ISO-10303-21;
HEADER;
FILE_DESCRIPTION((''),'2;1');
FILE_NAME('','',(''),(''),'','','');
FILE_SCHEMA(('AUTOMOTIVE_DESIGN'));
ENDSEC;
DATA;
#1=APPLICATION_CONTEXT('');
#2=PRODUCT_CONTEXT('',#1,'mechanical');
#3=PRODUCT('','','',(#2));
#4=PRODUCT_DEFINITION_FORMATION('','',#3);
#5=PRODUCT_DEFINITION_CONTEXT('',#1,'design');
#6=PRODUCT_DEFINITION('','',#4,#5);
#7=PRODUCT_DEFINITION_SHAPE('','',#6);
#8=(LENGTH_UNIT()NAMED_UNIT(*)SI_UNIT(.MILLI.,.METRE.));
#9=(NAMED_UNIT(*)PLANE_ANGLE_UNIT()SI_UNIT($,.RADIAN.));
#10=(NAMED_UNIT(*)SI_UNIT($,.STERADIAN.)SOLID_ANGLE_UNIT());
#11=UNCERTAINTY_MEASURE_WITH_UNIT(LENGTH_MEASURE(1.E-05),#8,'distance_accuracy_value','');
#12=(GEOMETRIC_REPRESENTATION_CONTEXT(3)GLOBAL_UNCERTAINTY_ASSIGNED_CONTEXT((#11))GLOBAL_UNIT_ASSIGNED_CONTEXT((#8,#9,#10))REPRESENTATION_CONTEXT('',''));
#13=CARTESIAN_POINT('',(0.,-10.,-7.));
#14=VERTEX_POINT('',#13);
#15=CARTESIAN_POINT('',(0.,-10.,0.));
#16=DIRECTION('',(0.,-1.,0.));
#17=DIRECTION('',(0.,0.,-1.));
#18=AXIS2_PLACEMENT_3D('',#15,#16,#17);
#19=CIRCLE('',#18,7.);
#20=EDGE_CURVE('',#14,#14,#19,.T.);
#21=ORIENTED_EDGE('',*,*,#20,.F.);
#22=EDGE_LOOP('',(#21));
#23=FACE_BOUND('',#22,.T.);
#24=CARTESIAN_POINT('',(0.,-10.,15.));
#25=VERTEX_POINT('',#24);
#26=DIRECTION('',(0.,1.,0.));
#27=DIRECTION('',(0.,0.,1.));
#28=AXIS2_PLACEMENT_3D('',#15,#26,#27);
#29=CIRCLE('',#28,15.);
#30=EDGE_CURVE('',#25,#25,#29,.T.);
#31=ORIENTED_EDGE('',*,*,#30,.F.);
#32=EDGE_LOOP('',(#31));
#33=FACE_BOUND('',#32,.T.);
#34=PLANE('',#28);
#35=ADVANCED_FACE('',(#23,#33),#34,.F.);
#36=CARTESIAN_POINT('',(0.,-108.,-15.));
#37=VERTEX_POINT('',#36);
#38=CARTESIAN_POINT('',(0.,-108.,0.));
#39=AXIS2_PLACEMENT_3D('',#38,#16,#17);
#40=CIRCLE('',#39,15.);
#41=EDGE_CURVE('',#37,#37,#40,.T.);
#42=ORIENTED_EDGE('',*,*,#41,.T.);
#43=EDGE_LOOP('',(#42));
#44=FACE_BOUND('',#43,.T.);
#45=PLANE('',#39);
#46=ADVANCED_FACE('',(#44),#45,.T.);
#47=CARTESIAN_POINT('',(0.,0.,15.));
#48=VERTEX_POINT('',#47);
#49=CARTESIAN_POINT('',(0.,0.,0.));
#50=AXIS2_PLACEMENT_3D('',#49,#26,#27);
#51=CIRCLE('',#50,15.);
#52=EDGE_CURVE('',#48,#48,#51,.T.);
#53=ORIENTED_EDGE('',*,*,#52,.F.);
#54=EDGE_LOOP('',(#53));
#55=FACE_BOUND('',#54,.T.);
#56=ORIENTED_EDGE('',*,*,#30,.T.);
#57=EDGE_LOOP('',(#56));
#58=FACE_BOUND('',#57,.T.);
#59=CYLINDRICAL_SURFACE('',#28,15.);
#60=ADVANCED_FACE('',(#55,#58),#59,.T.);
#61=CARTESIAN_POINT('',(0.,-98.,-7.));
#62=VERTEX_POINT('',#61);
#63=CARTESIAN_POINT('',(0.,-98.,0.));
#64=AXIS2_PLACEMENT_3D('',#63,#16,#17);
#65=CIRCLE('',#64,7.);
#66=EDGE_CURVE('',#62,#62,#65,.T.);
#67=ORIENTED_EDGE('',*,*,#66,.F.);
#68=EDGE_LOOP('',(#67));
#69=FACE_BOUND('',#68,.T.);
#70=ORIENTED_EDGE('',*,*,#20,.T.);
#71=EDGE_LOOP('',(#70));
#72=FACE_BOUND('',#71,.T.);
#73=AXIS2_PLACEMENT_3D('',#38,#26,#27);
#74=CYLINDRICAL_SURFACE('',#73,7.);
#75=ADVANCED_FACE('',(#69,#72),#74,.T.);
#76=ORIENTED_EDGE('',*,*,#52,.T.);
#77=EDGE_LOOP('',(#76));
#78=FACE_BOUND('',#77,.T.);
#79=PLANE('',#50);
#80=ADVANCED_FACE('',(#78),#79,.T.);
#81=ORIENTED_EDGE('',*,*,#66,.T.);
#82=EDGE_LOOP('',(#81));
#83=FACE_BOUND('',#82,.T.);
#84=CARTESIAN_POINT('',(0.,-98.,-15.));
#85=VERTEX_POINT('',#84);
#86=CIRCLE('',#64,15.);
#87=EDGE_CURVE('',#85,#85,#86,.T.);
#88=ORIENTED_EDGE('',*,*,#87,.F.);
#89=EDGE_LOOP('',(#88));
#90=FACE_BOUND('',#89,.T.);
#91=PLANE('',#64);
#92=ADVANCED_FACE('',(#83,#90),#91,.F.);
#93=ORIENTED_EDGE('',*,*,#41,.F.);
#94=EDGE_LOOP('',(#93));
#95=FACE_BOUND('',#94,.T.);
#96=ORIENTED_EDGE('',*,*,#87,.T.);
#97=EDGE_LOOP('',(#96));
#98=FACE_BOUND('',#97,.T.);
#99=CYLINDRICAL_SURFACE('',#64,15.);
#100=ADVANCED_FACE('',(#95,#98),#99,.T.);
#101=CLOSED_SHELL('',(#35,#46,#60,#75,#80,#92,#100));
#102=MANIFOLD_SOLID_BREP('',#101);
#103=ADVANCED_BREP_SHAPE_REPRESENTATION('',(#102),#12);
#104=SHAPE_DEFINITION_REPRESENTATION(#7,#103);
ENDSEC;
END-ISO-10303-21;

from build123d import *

# Parameters (mm, degrees)
SKETCH1_R           = 15
BOSS_EXTRUDE1_DEPTH = 10
SKETCH2_R           = 7
BOSS_EXTRUDE2_DEPTH = 98
SKETCH4_R           = 15
BOSS_EXTRUDE3_DEPTH = 10


with BuildPart() as part:
    # Sketch1 → Boss-Extrude1 (new body)
    with BuildSketch(Plane(origin=(0, 0, 0), x_dir=(1, 0, 0), z_dir=(0, 1, 0))):
        Circle(SKETCH1_R)
    extrude(amount=-BOSS_EXTRUDE1_DEPTH)

    # Sketch2 → Boss-Extrude2 (add)
    with BuildSketch(Plane.XZ.offset(10)):
        Circle(SKETCH2_R)
    extrude(amount=BOSS_EXTRUDE2_DEPTH)

    # Sketch4 → Boss-Extrude3 (add)
    with BuildSketch(Plane.XZ.offset(108)):
        Circle(SKETCH4_R)
    extrude(amount=-BOSS_EXTRUDE3_DEPTH)


solid = part.part
